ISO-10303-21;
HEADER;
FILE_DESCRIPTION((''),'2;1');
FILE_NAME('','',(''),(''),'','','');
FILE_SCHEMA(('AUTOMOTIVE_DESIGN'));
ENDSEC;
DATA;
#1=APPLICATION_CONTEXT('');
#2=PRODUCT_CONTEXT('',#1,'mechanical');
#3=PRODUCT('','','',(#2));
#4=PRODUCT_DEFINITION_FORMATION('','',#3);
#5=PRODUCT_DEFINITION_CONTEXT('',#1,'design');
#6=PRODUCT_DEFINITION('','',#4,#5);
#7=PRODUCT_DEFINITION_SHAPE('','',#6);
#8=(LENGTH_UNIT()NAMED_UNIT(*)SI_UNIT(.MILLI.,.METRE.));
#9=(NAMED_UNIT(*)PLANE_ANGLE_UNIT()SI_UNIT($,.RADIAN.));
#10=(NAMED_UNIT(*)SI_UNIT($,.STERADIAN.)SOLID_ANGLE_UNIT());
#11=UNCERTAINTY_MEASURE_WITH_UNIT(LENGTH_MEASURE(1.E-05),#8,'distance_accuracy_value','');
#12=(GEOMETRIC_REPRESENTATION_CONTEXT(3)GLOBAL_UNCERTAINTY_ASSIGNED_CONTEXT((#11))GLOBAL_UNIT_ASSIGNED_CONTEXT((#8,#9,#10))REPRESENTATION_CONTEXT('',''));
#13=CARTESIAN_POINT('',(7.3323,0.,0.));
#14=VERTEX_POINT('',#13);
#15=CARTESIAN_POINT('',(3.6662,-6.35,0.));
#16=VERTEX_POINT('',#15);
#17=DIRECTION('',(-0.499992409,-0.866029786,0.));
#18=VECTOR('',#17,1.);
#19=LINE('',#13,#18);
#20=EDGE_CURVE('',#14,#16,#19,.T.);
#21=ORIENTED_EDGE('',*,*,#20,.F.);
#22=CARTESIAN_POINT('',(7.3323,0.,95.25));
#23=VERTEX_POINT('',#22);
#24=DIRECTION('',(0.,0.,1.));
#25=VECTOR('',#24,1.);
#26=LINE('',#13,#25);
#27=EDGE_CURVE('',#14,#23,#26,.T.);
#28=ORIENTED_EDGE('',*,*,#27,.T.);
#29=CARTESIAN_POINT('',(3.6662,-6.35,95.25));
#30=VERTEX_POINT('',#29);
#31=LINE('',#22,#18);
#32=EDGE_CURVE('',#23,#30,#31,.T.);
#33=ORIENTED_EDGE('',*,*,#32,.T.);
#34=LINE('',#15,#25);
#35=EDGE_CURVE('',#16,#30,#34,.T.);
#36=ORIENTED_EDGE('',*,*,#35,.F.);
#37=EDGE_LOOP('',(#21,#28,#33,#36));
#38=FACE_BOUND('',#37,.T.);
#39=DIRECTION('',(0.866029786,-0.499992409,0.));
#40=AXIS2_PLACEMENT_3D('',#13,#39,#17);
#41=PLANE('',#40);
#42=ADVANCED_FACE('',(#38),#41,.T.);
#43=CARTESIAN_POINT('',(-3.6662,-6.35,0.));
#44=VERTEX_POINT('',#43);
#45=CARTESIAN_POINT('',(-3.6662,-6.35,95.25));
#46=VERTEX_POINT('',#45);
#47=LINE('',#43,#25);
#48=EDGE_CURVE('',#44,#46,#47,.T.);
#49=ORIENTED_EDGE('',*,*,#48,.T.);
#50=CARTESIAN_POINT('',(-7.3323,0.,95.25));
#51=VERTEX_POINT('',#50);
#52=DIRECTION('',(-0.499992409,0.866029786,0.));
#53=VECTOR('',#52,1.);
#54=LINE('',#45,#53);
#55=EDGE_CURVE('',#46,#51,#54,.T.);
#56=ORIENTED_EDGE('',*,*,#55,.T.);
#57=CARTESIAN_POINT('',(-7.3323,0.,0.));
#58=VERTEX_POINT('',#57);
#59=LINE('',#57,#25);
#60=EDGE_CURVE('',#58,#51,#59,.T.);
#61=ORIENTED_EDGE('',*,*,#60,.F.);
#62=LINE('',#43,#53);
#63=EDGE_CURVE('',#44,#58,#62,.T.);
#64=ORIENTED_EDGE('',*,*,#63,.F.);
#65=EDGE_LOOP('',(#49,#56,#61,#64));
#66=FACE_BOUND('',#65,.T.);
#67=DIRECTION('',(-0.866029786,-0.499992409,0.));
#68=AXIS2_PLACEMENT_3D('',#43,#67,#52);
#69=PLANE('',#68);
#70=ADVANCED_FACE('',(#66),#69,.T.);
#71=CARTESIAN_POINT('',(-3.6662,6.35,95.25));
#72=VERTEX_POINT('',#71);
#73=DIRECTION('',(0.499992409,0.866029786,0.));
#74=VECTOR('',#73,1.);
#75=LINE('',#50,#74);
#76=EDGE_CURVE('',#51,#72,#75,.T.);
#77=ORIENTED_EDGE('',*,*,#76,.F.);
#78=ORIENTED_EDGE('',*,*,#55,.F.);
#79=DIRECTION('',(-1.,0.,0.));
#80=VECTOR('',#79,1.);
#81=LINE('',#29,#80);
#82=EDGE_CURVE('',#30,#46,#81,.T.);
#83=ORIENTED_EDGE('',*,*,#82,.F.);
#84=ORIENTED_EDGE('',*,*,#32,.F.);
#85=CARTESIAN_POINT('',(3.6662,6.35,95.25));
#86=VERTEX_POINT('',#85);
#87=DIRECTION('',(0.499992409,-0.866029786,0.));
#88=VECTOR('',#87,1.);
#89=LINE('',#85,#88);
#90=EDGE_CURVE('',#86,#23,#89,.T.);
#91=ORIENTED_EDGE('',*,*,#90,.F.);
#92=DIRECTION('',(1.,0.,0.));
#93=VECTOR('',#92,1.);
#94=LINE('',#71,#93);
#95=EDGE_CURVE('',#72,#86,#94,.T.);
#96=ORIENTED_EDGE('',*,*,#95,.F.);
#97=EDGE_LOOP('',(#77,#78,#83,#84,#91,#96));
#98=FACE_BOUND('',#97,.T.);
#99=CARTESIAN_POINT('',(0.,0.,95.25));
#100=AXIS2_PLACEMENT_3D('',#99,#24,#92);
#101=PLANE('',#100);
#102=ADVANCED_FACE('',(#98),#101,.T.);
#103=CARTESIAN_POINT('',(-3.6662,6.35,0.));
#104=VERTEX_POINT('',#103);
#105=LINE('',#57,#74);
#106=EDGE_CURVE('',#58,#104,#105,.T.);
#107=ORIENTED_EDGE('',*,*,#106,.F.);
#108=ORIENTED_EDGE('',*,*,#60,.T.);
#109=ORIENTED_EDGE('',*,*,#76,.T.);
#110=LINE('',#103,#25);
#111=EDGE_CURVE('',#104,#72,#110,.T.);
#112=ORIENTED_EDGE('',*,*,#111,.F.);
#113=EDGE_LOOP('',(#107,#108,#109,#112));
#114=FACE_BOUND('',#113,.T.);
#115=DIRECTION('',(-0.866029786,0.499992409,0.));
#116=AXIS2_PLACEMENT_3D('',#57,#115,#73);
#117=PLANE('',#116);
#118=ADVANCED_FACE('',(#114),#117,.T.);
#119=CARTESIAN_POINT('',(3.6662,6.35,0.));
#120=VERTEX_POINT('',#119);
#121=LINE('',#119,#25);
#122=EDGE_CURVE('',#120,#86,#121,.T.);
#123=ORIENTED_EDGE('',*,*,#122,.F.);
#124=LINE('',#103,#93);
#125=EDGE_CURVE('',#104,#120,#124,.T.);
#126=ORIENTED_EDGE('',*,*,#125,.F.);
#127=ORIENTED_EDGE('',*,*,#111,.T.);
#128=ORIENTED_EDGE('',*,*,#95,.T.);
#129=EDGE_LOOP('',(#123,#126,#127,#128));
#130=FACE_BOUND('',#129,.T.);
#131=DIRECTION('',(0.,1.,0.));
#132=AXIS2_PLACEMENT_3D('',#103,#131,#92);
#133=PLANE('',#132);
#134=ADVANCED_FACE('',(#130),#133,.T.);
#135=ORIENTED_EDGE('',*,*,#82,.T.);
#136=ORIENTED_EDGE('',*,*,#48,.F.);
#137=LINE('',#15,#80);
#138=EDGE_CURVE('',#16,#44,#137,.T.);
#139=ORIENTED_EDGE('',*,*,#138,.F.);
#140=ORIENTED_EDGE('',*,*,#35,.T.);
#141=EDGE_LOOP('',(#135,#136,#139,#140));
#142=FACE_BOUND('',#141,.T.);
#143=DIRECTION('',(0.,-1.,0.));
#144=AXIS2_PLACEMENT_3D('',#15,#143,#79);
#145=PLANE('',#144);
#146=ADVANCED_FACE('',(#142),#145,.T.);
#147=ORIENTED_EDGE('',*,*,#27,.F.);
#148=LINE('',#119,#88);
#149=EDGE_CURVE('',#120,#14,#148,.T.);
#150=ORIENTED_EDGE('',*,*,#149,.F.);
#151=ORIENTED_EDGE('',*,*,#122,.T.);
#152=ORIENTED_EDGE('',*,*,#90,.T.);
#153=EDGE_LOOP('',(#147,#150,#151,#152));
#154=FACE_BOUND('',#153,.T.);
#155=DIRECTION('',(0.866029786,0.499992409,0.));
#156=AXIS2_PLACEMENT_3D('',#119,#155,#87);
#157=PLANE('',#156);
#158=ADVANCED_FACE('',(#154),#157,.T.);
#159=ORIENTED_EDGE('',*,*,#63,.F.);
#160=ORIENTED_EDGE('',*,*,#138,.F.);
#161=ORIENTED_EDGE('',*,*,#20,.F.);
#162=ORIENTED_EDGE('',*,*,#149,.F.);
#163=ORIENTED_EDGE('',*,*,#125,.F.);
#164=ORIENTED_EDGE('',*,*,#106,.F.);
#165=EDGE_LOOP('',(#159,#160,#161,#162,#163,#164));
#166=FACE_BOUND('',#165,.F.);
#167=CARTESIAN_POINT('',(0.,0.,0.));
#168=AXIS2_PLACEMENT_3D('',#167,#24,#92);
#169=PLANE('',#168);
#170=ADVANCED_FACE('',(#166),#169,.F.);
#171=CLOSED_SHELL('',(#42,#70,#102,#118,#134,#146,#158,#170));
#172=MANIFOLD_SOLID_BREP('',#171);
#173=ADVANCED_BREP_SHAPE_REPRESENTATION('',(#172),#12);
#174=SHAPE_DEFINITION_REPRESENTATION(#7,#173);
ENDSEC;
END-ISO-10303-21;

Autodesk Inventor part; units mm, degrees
ref_plane "YZ Plane" through (0, 0, 0) normal (1, 0, 0) x (0, 1, 0)
ref_plane "XZ Plane" through (0, 0, 0) normal (0, 1, 0) x (-1, 0, 0)
ref_plane "XY Plane" through (0, 0, 0) normal (0, 0, 1) x (1, 0, 0)
sketch "Sketch1" plane through (0, 0, 0) normal (0, 0, 1) x (1, 0, 0)
  line L0 (7.3323, 0) -> (3.6662, -6.35)
  line L1 (3.6662, -6.35) -> (-3.6662, -6.35)
  line L2 (-3.6662, -6.35) -> (-7.3323, 0)
  line L3 (-7.3323, 0) -> (-3.6662, 6.35)
  line L4 (-3.6662, 6.35) -> (3.6662, 6.35)
  line L5 (3.6662, 6.35) -> (7.3323, 0)
  point P0 (0, 0)
  point P1 (0, 0)
  dimension "d0" = 12.7
extrude "Extrusion1" add sketch "Sketch1" along normal blind 95.25
properties part number "AnsysHex"
